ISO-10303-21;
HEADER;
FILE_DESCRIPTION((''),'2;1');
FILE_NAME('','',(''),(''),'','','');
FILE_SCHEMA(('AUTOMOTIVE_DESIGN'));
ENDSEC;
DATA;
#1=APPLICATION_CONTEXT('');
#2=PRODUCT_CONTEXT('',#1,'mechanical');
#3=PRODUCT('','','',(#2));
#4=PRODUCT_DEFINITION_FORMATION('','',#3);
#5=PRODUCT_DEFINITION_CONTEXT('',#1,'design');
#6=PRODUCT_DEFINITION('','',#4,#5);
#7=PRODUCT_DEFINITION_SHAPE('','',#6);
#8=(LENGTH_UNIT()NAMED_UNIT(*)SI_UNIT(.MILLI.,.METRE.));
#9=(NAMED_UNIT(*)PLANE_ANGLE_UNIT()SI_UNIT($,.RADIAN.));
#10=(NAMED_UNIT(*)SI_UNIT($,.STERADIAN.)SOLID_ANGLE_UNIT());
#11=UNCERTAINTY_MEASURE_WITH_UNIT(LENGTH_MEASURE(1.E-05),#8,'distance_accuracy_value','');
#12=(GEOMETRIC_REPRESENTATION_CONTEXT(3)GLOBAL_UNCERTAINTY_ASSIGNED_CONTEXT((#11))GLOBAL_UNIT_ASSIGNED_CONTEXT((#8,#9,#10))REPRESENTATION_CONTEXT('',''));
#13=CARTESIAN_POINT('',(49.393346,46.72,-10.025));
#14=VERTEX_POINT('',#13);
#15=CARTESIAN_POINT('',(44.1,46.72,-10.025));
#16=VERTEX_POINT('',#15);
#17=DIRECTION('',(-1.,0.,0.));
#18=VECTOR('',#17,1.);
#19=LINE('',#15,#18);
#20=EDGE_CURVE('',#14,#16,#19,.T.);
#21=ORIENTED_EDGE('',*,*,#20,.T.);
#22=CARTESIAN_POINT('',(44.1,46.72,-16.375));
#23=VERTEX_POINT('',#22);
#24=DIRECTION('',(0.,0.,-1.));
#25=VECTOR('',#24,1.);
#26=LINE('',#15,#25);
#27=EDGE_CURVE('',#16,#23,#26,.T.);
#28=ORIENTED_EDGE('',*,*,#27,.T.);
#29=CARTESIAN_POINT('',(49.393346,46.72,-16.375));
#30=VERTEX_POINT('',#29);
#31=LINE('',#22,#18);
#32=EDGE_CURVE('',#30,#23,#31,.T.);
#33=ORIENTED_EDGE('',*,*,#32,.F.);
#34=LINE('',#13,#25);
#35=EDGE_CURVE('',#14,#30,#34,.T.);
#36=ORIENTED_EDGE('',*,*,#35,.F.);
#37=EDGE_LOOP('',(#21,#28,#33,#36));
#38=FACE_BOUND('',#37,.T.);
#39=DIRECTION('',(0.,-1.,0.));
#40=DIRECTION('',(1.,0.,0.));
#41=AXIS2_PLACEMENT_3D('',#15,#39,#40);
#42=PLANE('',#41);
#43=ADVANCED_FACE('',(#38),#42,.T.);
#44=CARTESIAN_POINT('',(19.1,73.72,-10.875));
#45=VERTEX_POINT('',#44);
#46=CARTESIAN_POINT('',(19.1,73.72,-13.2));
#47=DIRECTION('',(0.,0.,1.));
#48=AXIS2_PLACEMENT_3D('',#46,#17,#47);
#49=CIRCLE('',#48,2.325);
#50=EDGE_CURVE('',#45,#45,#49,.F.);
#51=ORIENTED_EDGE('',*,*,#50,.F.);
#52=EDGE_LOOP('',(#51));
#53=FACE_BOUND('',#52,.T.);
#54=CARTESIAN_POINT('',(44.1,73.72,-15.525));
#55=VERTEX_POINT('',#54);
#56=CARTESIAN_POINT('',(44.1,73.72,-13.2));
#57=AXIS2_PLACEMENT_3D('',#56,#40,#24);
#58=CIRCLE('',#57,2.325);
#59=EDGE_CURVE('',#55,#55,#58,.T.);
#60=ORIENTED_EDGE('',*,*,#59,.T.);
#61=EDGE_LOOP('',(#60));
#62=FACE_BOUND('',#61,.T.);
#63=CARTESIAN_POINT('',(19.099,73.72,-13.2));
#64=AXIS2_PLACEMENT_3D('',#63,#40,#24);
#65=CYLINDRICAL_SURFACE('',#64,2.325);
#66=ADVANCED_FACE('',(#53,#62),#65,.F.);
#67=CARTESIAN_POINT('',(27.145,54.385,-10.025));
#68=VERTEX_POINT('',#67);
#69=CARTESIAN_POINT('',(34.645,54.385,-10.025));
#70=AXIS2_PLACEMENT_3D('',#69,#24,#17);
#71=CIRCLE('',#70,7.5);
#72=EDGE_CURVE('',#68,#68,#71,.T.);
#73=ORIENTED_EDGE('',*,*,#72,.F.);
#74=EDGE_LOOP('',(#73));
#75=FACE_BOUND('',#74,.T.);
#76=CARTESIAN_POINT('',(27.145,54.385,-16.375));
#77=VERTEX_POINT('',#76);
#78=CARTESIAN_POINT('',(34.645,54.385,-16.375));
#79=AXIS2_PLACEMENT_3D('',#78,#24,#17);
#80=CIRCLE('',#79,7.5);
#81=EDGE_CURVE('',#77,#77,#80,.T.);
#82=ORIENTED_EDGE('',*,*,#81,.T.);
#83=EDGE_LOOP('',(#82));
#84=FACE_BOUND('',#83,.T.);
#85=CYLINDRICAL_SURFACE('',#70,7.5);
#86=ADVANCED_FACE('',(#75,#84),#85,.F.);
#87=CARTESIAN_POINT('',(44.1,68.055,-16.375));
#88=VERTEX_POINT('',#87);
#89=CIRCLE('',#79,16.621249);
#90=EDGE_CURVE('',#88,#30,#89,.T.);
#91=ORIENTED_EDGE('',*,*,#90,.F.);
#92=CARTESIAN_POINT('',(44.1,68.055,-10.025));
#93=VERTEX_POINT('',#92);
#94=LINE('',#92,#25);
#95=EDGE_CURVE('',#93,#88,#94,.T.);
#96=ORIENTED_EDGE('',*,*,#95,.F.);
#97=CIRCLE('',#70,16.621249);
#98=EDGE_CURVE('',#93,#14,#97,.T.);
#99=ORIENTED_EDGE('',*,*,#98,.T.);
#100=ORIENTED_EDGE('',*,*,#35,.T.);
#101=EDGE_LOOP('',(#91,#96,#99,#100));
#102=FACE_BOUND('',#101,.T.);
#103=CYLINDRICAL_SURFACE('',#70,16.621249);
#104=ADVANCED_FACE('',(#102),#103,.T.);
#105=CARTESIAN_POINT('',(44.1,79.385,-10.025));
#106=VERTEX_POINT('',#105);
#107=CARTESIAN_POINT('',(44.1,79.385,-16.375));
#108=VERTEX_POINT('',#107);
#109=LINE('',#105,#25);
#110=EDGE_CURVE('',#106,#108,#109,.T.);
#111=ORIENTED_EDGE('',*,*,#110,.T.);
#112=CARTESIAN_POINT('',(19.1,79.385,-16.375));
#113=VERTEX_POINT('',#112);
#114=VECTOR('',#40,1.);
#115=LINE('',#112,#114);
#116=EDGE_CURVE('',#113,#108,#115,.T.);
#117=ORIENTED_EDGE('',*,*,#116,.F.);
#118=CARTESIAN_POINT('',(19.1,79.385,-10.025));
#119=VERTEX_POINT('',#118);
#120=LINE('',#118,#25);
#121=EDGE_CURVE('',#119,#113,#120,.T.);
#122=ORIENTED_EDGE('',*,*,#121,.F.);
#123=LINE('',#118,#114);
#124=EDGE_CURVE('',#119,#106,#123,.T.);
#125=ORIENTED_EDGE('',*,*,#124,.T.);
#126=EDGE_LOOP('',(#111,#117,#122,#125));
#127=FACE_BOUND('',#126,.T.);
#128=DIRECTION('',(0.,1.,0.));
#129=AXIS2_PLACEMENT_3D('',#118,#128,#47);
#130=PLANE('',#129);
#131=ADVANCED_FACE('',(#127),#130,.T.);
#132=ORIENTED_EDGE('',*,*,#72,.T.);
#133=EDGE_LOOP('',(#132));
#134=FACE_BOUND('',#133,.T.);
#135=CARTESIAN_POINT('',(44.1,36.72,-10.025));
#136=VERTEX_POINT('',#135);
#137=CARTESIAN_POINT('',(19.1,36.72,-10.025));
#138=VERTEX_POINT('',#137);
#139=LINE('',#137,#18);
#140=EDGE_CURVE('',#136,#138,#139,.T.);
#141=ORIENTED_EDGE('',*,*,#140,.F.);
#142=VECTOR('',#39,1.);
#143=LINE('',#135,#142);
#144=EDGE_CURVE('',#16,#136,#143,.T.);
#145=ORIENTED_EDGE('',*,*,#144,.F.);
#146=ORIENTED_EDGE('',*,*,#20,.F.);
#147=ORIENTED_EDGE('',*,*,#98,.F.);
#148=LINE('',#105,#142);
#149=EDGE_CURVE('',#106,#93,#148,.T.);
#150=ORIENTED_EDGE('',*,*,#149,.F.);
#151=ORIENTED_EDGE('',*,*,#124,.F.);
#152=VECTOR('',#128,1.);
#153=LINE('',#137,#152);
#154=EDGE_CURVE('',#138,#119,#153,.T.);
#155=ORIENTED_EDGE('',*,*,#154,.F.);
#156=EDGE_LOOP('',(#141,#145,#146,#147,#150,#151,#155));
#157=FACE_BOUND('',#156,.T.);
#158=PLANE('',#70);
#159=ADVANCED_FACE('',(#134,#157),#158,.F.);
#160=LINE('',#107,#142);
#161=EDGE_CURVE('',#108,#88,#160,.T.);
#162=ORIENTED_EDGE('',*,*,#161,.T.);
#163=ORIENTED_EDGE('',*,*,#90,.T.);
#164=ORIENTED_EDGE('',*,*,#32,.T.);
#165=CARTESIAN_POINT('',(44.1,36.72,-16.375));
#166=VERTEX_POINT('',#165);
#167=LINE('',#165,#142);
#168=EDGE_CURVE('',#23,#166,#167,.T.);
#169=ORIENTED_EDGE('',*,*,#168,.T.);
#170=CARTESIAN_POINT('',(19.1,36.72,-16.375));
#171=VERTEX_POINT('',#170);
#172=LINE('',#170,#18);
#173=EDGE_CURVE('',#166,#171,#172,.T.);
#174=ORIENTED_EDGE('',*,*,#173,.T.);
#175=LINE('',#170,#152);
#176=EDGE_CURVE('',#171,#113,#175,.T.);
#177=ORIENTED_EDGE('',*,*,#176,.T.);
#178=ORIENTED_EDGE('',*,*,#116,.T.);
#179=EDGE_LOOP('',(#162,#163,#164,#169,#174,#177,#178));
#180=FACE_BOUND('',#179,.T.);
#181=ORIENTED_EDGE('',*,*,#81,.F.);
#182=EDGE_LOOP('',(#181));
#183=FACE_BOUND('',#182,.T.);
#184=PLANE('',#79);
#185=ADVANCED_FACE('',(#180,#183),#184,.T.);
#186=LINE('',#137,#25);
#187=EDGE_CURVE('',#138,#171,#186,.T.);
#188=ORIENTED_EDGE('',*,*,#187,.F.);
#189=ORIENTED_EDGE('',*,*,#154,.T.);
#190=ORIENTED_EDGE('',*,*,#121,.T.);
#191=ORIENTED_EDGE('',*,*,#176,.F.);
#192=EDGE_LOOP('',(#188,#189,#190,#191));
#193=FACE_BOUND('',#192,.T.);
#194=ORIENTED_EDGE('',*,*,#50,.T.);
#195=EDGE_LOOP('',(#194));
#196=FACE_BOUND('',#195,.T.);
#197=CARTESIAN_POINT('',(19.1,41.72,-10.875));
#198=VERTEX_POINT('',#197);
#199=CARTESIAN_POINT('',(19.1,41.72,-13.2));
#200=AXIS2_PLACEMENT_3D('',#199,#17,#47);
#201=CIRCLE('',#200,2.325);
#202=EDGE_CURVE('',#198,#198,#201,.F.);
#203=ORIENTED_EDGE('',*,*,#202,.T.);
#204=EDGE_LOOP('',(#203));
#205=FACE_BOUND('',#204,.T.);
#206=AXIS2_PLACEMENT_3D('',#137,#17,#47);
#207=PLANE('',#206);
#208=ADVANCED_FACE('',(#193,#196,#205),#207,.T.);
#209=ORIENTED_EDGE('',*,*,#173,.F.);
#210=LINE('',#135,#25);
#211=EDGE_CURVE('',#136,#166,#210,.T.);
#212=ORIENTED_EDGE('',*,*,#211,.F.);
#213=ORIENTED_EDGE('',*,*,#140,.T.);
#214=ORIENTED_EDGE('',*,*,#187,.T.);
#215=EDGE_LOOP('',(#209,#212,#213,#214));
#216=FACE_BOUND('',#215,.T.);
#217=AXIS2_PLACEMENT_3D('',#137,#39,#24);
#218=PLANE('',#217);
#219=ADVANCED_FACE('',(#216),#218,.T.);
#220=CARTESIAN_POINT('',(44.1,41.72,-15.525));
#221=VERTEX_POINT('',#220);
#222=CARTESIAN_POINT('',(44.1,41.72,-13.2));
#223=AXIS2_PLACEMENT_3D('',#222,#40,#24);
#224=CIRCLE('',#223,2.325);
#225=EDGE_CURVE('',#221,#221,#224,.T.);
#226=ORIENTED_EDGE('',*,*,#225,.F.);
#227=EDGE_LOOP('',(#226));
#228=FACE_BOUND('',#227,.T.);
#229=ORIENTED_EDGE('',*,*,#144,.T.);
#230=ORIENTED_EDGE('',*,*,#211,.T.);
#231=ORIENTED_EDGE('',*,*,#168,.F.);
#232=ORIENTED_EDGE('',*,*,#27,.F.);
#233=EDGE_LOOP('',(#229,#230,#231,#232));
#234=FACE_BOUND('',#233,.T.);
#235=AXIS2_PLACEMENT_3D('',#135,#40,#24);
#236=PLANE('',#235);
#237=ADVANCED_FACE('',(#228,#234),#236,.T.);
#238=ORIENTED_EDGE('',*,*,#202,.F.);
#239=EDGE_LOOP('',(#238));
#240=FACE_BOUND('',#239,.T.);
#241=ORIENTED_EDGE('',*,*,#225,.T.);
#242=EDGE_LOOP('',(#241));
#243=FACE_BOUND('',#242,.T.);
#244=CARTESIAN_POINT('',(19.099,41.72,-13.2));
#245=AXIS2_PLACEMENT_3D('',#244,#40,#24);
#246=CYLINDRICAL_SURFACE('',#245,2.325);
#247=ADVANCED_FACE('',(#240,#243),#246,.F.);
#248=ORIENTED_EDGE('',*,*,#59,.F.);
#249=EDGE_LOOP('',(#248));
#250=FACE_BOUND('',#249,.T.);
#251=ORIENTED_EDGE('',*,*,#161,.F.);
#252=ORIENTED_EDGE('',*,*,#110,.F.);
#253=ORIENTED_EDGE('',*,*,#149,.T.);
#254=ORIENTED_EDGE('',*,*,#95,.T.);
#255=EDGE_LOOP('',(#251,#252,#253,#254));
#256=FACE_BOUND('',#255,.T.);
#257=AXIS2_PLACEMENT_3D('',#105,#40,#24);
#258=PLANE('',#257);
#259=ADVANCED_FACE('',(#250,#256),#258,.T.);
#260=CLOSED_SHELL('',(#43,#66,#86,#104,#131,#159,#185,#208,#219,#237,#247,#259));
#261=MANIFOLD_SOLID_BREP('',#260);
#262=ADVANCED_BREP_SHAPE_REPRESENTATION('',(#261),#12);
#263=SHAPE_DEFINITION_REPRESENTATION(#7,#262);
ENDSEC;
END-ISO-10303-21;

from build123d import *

# Parameters (mm, degrees)
BOSS_EXTRUDE1_DEPTH      = 3.175
BOSS_EXTRUDE1_DEPTH_BACK = 3.175
SKETCH2_R                = 7.5
CUT_EXTRUDE1_REACH       = 86.824
SKETCH3_R                = 2.325


with BuildPart() as part:
    # Sketch2 → Boss-Extrude1 (new, two sides: drawn at the far end of the back side and taken through both)
    with BuildSketch(Plane(origin=(0, 0, -13.2), x_dir=(-1, 0, 0), z_dir=(0, 0, -1)).offset(-BOSS_EXTRUDE1_DEPTH_BACK)):
        with BuildLine():
            Line((-19.1, 36.72), (-44.1, 36.72))
            Line((-44.1, 36.72), (-44.1, 46.72))
            Line((-44.1, 46.72), (-49.39334567, 46.72))
            ThreePointArc((-49.39334567, 46.72), (-50.77714312, 58.387484646), (-44.1, 68.055))
            Line((-44.1, 68.055), (-44.1, 79.385))
            Line((-44.1, 79.385), (-19.1, 79.385))
            Line((-19.1, 79.385), (-19.1, 36.72))
        make_face()
        with Locations((-34.645, 54.385)):
            Circle(SKETCH2_R, mode=Mode.SUBTRACT)
    extrude(amount=BOSS_EXTRUDE1_DEPTH + BOSS_EXTRUDE1_DEPTH_BACK)

    # Sketch3 → Cut-Extrude1 (cut, up to next)
    with BuildSketch(Plane(origin=(44.1, 0, 0), x_dir=(0, 0, -1), z_dir=(1, 0, 0)), mode=Mode.PRIVATE) as cut_extrude1_sk1:
        with Locations((13.2, 41.72)):
            Circle(SKETCH3_R)
    cut_extrude1_tool1 = extrude(cut_extrude1_sk1.sketch, amount=-CUT_EXTRUDE1_REACH, mode=Mode.PRIVATE) & part.part
    # Sketch3 → Cut-Extrude1 (cut, up to next)
    with BuildSketch(Plane(origin=(44.1, 0, 0), x_dir=(0, 0, -1), z_dir=(1, 0, 0)), mode=Mode.PRIVATE) as cut_extrude1_sk2:
        with Locations((13.2, 73.72)):
            Circle(SKETCH3_R)
    cut_extrude1_tool2 = extrude(cut_extrude1_sk2.sketch, amount=-CUT_EXTRUDE1_REACH, mode=Mode.PRIVATE) & part.part
    add(cut_extrude1_tool1.solids().sort_by_distance((44.1, 41.72, -13.2))[0], mode=Mode.SUBTRACT)
    add(cut_extrude1_tool2.solids().sort_by_distance((44.1, 73.72, -13.2))[0], mode=Mode.SUBTRACT)


solid = part.part
